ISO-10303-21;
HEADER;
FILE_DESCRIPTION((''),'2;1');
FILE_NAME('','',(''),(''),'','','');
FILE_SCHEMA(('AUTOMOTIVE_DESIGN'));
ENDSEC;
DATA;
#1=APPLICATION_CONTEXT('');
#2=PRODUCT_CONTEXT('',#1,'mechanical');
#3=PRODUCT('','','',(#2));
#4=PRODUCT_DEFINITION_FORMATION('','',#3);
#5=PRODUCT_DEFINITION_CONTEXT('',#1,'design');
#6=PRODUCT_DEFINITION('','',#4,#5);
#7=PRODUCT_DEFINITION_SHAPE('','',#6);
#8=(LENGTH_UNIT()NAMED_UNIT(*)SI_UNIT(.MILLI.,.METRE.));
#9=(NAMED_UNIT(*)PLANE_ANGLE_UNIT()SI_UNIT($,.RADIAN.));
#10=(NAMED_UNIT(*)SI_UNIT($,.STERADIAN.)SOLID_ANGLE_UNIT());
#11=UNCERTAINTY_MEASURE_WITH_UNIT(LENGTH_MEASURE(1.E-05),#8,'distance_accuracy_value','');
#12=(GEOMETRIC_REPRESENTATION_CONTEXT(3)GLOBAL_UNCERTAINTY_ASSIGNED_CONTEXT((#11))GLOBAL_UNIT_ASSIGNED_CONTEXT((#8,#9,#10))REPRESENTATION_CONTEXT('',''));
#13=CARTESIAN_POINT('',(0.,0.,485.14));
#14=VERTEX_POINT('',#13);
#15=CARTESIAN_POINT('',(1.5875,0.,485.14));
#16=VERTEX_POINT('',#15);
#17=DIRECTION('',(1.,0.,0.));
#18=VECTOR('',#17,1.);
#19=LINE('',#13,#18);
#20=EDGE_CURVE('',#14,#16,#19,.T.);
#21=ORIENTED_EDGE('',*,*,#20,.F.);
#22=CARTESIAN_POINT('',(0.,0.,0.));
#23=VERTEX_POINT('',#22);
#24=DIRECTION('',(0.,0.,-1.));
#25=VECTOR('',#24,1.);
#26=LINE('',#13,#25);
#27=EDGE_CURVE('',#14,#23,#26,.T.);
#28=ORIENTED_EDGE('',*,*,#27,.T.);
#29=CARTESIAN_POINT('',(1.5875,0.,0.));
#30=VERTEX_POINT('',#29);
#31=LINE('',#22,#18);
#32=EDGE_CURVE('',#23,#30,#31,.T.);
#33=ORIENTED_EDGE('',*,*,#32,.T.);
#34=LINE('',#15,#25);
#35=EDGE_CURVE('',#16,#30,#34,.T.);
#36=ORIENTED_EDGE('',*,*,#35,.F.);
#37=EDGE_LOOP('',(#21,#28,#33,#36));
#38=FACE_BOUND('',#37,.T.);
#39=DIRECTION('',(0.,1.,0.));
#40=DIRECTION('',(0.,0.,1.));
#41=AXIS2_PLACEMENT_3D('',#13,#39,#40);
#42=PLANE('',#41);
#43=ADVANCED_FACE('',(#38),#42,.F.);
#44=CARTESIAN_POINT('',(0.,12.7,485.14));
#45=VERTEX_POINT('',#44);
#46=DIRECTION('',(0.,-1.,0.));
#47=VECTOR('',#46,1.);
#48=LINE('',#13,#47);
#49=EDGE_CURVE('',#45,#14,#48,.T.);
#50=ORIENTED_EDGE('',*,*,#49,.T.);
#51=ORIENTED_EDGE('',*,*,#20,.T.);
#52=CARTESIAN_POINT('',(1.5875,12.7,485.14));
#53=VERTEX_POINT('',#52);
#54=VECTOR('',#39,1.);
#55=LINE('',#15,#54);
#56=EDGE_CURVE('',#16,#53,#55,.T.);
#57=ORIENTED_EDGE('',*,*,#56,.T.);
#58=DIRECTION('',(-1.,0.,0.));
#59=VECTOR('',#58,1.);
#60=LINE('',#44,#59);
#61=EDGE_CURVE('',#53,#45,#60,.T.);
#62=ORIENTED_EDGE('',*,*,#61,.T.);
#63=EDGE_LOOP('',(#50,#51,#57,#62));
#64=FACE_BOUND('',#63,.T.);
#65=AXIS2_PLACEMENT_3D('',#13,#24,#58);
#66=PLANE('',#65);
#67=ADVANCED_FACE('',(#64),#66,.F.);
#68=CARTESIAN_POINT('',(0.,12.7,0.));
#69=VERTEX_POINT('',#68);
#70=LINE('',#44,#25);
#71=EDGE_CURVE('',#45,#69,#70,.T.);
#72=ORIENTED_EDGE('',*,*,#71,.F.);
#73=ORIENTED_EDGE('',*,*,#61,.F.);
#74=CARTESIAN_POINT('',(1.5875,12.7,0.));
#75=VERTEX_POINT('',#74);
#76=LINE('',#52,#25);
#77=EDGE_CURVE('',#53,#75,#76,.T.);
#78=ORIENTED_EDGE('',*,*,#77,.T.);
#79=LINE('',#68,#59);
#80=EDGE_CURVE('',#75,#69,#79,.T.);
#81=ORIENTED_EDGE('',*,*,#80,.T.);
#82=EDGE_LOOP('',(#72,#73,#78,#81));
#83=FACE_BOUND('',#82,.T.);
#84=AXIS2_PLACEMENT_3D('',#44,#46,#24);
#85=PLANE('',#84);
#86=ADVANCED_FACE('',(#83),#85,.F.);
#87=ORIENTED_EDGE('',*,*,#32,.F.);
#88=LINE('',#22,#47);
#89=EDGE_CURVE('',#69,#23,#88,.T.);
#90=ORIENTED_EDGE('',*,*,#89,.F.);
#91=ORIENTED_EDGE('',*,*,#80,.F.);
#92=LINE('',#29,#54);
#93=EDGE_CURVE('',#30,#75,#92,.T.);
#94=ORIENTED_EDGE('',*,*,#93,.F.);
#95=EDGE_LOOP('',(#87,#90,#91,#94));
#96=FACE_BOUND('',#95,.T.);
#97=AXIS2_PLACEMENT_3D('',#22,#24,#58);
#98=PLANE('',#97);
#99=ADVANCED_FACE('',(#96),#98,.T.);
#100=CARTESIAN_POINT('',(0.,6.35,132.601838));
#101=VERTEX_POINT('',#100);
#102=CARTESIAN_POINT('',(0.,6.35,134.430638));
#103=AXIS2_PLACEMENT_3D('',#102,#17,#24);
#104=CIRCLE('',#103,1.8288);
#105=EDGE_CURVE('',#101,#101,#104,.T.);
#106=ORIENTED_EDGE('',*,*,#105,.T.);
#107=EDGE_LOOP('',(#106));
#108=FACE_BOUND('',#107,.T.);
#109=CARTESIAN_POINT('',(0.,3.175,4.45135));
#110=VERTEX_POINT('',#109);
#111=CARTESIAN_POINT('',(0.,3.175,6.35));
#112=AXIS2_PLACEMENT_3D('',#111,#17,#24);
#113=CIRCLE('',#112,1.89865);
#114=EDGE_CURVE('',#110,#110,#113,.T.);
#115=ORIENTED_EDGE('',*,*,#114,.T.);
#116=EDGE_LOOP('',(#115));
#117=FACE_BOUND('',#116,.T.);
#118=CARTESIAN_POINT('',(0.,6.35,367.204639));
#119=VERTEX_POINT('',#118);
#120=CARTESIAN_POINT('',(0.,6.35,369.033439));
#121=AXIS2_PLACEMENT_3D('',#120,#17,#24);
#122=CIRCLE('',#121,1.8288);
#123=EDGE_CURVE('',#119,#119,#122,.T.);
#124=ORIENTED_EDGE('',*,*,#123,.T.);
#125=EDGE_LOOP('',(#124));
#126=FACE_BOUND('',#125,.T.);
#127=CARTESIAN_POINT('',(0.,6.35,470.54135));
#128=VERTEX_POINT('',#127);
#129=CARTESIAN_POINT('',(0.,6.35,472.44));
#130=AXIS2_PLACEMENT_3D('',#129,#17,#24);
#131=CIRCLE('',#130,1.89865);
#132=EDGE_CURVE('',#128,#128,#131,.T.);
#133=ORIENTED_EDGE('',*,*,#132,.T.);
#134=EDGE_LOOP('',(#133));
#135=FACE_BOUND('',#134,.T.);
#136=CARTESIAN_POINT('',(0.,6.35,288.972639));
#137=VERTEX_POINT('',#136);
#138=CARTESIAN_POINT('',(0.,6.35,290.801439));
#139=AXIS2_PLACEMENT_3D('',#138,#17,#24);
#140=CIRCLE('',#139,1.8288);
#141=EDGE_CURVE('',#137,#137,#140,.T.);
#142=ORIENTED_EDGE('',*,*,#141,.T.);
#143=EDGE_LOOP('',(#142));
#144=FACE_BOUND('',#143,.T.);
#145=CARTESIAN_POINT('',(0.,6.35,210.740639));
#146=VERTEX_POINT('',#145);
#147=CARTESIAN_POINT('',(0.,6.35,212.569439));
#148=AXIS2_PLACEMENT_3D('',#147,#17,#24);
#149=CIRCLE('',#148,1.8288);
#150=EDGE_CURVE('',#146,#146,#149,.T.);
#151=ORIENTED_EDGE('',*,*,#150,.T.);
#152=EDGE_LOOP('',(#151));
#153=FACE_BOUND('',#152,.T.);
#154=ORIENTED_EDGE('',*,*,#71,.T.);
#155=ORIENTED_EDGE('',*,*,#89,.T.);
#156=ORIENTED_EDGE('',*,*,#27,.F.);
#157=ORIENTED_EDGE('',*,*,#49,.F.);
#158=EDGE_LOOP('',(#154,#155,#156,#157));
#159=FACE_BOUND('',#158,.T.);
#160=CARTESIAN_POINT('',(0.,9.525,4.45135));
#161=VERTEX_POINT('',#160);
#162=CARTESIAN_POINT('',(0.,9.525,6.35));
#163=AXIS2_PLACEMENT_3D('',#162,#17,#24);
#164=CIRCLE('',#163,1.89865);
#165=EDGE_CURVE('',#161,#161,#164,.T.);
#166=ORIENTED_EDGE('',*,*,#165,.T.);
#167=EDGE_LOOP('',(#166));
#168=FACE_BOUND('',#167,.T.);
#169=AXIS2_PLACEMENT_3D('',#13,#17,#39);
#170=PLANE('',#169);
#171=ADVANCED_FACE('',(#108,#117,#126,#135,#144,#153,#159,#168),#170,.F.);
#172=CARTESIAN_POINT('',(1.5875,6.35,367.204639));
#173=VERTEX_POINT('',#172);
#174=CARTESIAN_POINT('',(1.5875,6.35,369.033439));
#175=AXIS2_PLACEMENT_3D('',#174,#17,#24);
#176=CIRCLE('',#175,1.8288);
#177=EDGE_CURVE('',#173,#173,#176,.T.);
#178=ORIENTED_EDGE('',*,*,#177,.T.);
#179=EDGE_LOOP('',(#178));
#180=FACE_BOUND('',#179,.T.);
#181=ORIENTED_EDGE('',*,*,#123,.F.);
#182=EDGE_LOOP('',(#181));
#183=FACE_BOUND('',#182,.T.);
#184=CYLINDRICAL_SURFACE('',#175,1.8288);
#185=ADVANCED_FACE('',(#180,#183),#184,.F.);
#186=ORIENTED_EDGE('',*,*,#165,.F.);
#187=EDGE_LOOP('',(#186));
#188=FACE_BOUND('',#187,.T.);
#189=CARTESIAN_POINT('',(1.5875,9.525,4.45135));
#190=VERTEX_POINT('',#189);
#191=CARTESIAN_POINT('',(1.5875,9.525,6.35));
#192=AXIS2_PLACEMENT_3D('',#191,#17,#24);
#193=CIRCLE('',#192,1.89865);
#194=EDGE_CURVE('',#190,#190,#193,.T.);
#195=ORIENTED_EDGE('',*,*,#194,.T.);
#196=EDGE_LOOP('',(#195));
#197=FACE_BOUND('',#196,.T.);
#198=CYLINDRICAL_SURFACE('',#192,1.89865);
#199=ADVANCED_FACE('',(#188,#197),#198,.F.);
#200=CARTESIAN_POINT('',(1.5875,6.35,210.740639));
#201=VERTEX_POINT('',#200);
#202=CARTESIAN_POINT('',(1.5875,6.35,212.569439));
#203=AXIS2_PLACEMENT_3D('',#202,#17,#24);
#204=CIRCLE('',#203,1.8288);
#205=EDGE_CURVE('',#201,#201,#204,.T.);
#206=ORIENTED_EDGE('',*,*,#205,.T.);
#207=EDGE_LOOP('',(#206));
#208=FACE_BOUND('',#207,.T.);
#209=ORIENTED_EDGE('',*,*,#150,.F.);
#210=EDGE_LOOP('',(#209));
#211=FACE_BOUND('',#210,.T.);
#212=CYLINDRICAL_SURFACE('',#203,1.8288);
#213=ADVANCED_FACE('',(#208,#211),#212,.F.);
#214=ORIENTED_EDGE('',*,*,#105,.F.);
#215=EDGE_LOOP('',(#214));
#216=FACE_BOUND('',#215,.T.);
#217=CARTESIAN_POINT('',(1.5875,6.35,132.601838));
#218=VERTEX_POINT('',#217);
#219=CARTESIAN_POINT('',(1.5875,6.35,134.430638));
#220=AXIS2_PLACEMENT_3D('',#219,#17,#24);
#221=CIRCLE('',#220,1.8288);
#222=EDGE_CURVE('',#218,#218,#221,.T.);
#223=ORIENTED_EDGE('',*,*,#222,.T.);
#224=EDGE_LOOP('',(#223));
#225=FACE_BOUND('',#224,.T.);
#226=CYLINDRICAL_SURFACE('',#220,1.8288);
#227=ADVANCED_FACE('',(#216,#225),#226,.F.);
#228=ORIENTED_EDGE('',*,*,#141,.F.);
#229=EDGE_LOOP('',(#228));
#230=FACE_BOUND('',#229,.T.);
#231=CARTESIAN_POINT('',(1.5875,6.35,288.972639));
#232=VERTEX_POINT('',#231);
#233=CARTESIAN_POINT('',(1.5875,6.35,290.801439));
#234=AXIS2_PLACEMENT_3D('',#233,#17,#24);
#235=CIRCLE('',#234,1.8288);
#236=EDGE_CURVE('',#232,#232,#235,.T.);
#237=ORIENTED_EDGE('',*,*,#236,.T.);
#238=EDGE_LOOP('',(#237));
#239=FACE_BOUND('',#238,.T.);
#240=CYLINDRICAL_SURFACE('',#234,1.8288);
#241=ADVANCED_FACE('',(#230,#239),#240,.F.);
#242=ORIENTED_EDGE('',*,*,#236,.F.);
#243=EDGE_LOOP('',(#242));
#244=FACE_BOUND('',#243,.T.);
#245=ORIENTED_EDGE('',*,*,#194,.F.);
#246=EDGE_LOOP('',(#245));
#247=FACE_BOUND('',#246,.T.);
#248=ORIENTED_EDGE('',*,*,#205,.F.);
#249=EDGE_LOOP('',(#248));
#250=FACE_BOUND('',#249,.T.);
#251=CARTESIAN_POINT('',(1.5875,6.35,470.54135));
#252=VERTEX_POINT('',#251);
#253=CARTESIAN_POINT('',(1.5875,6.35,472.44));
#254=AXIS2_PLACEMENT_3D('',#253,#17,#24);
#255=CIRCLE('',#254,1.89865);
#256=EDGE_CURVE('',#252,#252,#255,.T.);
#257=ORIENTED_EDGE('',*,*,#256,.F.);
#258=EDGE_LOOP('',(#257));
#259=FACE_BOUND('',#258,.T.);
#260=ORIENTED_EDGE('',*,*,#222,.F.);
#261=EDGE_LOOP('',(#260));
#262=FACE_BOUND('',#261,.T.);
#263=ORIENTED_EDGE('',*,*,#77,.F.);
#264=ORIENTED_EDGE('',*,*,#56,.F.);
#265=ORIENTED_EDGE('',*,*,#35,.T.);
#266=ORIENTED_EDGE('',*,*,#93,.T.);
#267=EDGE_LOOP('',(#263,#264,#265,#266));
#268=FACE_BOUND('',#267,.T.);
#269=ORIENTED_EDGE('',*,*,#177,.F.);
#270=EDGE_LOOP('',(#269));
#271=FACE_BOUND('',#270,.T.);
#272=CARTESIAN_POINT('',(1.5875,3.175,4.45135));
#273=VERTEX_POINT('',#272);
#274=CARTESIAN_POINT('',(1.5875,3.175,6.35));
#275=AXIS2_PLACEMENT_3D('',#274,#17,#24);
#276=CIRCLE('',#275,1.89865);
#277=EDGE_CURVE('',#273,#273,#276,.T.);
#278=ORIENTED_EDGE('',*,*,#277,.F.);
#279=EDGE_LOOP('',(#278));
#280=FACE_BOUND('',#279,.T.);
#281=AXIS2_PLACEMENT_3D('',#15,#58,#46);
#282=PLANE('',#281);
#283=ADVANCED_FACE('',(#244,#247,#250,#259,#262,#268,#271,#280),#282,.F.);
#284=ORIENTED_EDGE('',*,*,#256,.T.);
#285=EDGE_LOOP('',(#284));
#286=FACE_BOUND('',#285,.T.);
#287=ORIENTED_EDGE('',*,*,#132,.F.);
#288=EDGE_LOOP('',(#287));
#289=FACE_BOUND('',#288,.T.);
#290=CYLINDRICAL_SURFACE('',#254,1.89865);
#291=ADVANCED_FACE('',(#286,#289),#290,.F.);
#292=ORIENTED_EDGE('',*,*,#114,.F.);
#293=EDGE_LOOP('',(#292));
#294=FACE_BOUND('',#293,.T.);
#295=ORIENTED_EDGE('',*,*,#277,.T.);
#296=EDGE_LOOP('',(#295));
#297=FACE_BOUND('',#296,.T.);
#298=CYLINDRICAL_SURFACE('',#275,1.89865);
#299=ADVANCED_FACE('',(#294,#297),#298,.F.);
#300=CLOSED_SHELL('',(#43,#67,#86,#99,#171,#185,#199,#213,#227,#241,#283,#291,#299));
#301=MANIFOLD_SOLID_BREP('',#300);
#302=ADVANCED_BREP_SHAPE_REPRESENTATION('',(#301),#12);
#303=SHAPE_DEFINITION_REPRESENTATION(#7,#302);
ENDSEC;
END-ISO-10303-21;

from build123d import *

# Parameters (mm, degrees)
SKETCH1_W             = 1.5875
SKETCH1_H             = 12.7
BOSS_EXTRUDE1_DEPTH   = 485.14
F_6_CLEARANCE_HOLE2_D = 3.7973
F_6_CLEARANCE_HOLE1_D = 3.7973
F_6_CLEARANCE_HOLE3_D = 3.6576


with BuildPart() as part:
    # Sketch1 → Boss-Extrude1 (new body)
    with BuildSketch(Plane.XY):
        with Locations((0.79375, 6.35)):
            Rectangle(SKETCH1_W, SKETCH1_H)
    extrude(amount=BOSS_EXTRUDE1_DEPTH)

    # #6 Clearance Hole2 (through all)
    with Locations(Plane(origin=(1.5875, 0, 0), x_dir=(0, 0, -1), z_dir=(1, 0, 0))):
        with Locations((-6.35, 9.525), (-6.35, 3.175)):
            Hole(F_6_CLEARANCE_HOLE2_D / 2)

    # #6 Clearance Hole1 (through all)
    with Locations(Plane(origin=(1.5875, 0, 0), x_dir=(0, 0, -1), z_dir=(1, 0, 0))):
        with Locations((-472.44, 6.35)):
            Hole(F_6_CLEARANCE_HOLE1_D / 2)

    # #6 Clearance Hole3 (through all)
    with Locations(Plane(origin=(1.5875, -24.631267391, -47.650434272), x_dir=(0, 0, -1), z_dir=(1, 0, 0))):
        with Locations((-416.683873726, 30.981267391), (-338.451873726, 30.981267391), (-260.219873726, 30.981267391), (-182.081072585, 30.981267391)):
            Hole(F_6_CLEARANCE_HOLE3_D / 2)


solid = part.part
